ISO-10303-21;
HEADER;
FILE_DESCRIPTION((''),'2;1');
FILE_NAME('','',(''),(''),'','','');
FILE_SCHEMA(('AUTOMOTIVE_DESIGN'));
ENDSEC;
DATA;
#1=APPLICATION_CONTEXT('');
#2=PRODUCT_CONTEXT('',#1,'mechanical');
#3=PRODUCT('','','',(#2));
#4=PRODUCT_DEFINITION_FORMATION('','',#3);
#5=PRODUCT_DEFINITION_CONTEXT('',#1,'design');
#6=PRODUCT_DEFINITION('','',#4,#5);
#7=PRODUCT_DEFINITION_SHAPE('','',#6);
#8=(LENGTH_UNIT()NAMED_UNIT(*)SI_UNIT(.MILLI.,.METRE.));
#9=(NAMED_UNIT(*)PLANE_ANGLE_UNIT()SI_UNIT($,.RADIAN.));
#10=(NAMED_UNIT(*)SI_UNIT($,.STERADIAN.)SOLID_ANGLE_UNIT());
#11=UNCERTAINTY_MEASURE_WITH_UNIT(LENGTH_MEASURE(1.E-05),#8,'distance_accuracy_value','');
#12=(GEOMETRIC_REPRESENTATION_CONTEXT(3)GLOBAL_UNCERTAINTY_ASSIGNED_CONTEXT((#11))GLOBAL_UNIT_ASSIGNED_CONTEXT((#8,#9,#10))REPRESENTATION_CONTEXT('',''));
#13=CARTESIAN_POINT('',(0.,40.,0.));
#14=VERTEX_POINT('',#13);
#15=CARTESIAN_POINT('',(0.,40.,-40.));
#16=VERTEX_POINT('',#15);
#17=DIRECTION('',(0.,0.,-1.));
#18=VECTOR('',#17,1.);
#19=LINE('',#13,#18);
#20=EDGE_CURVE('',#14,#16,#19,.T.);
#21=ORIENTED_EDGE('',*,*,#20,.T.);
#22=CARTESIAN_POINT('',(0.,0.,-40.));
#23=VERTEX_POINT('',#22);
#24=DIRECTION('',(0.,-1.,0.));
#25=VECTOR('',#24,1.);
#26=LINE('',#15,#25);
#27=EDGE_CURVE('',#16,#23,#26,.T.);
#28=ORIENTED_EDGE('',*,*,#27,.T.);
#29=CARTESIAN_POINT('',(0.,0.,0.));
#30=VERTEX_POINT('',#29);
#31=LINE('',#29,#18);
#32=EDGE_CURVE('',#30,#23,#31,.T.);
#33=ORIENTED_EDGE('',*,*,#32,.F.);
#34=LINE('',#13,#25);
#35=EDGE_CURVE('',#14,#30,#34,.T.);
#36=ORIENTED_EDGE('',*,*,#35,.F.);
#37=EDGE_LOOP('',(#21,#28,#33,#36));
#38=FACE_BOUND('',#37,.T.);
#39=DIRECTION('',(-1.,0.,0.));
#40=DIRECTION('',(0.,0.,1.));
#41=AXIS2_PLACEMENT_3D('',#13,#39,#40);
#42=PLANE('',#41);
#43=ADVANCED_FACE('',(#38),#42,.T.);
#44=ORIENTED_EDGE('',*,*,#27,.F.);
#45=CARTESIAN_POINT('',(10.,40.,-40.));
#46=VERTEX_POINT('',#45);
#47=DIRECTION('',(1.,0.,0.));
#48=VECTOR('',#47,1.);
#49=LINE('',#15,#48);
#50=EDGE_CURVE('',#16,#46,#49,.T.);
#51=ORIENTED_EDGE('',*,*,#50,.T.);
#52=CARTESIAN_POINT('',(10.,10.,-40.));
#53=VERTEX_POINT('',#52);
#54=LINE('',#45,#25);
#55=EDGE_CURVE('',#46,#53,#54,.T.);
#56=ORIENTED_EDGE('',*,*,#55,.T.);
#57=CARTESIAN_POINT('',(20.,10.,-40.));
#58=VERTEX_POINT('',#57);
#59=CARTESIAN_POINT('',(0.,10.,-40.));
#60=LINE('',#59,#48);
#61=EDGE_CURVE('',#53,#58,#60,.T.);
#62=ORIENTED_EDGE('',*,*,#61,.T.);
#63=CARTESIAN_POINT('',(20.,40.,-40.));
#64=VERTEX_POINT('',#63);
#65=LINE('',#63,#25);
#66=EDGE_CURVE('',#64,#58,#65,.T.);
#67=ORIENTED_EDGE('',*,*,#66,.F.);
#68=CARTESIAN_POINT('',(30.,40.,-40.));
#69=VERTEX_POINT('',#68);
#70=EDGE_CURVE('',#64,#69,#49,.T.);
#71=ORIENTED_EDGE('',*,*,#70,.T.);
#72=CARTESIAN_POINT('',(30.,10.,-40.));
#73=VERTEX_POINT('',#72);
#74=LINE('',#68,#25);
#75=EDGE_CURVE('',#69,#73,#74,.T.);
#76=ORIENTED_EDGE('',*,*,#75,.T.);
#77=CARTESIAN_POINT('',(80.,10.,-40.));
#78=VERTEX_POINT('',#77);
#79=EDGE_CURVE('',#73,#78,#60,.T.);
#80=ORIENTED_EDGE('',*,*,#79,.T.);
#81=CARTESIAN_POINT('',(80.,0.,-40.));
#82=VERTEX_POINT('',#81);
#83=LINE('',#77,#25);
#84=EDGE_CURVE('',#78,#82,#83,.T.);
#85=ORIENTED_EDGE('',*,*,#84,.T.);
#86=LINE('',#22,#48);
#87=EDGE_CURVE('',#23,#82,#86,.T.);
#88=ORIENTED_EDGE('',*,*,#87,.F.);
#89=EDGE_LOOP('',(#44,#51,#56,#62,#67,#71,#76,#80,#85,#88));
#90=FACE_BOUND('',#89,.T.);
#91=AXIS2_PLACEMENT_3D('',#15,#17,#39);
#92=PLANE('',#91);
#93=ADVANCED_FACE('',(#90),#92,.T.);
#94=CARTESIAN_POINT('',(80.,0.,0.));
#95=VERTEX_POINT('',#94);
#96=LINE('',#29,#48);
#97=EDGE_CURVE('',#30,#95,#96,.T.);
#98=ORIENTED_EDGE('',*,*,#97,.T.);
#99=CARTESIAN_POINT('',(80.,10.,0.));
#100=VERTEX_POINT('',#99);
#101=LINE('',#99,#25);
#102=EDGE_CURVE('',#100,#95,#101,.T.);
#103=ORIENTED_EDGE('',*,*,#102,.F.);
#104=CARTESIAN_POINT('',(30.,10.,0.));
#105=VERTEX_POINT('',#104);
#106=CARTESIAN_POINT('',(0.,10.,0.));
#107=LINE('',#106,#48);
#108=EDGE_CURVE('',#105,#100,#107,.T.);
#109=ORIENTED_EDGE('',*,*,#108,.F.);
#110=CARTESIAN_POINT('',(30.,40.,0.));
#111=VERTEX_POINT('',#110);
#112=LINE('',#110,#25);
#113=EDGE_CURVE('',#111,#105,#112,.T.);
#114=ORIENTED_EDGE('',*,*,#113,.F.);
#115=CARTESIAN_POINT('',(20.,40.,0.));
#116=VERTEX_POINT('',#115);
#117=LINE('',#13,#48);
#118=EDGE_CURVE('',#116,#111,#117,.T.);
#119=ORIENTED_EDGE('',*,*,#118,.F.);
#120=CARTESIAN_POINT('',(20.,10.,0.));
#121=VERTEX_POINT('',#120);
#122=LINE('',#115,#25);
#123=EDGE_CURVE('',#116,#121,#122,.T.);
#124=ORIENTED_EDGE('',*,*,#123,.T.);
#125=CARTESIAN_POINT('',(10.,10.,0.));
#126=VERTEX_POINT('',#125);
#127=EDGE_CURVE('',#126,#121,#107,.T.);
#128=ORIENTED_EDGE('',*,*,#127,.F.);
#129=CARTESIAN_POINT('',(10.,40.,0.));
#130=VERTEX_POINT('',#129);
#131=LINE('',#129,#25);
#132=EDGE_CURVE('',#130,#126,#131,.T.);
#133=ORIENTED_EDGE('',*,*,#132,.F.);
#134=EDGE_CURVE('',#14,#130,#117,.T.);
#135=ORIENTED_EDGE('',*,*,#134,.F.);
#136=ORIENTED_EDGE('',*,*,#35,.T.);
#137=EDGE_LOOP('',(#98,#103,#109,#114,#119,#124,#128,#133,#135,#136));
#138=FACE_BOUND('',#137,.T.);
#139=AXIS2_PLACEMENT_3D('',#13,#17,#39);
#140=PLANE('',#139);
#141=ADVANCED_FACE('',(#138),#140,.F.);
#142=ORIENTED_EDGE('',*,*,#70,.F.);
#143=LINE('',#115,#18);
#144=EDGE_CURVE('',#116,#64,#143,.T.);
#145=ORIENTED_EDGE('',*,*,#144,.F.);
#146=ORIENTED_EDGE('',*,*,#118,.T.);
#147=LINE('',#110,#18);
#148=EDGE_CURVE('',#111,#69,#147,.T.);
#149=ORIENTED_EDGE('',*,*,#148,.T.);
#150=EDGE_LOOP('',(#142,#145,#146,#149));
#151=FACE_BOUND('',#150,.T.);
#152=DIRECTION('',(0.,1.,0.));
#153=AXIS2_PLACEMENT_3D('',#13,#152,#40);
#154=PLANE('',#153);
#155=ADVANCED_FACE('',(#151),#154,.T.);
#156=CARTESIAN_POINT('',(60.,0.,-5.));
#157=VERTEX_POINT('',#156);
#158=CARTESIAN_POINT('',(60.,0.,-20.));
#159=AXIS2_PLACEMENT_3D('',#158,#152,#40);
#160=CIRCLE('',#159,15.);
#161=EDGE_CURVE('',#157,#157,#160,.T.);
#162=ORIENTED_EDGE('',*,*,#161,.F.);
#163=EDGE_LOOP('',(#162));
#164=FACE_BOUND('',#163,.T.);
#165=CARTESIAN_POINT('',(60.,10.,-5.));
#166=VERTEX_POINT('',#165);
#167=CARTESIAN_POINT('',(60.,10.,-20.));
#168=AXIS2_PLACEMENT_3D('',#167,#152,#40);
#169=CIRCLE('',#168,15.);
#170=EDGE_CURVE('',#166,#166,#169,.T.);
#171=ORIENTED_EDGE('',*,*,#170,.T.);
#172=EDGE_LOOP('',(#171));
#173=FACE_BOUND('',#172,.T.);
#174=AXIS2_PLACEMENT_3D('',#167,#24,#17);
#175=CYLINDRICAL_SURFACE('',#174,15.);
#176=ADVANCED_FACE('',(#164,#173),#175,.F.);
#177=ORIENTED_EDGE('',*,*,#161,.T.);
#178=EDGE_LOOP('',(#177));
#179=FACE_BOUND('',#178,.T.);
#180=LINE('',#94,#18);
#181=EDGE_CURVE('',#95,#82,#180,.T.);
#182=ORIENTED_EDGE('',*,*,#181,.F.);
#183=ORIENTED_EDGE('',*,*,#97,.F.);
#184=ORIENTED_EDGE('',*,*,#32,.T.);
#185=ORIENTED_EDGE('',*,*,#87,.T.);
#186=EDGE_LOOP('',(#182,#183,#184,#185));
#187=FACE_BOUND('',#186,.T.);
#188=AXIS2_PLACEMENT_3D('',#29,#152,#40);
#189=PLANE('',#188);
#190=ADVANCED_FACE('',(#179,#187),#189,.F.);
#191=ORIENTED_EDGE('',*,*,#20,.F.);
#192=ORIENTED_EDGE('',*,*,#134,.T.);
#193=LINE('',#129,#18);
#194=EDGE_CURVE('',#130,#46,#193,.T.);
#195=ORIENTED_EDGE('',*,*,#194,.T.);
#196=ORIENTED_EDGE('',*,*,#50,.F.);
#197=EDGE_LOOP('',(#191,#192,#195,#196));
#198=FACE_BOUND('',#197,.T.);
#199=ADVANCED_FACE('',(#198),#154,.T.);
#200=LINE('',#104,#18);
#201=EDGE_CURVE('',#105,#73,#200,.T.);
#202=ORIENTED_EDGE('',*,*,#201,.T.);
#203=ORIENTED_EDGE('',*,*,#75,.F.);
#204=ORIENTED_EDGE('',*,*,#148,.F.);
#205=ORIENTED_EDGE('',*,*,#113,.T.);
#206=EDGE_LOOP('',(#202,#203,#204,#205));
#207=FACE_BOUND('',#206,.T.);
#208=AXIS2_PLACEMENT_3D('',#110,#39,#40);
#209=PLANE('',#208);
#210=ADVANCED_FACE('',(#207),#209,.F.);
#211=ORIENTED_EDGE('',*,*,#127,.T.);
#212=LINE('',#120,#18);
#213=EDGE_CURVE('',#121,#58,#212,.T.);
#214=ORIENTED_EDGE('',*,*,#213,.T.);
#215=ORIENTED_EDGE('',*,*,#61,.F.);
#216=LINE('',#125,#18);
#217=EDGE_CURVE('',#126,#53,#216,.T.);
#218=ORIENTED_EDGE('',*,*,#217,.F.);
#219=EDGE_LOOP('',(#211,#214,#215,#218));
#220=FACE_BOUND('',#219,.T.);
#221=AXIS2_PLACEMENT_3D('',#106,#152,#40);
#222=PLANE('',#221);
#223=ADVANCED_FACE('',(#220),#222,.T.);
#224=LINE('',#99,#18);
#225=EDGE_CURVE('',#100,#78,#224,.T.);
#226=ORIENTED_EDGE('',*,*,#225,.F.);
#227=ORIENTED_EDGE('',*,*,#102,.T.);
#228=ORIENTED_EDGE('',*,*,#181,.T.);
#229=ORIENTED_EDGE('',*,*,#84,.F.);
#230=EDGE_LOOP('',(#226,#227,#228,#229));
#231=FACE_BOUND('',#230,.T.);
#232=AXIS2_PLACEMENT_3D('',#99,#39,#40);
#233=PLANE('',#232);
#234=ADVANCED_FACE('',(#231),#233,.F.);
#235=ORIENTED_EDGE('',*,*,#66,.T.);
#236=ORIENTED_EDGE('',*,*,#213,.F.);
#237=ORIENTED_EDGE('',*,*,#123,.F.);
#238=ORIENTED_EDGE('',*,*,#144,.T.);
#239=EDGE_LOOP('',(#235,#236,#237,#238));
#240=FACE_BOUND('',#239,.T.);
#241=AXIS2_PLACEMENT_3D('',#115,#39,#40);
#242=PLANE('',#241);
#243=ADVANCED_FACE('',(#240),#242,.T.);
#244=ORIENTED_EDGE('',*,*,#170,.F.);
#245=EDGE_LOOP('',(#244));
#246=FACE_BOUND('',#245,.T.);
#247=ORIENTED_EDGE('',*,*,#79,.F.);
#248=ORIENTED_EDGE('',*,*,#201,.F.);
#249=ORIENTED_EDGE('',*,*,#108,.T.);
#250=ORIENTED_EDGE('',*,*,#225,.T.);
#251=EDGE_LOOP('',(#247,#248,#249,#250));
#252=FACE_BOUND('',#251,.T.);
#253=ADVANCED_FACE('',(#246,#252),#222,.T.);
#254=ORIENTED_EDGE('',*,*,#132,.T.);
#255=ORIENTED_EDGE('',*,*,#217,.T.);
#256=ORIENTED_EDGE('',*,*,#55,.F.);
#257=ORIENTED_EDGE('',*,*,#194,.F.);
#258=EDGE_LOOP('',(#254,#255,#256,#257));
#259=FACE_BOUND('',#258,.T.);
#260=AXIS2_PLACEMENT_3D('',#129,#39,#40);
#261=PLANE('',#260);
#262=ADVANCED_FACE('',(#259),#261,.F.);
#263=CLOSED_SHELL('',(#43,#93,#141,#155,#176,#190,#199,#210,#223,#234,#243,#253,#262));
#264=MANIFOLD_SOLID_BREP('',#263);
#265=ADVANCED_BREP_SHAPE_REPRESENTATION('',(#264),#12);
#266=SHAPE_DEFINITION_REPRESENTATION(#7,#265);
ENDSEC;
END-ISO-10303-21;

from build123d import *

# Parameters (mm, degrees)
SKETCH1_W             = 10
SKETCH1_H             = 40
BOSS_EXTRUDE1_DEPTH   = 40
BOSS_EXTRUDE1_2_DEPTH = 40
SKETCH1_3_W           = 10
SKETCH1_3_H           = 40
SKETCH1_3_W_2         = 50
SKETCH1_3_R           = 15
BOSS_EXTRUDE2_DEPTH   = 10


with BuildPart() as part:
    # Sketch1 → Boss-Extrude1 (new body)
    with BuildSketch(Plane(origin=(0, 0, 0), x_dir=(1, 0, 0), z_dir=(0, 1, 0))):
        with Locations((5, 20)):
            Rectangle(SKETCH1_W, SKETCH1_H)
    extrude(amount=BOSS_EXTRUDE1_DEPTH)



with BuildPart() as body_2:
    # Sketch1 → Boss-Extrude1 2 (new body)
    with BuildSketch(Plane(origin=(0, 0, 0), x_dir=(1, 0, 0), z_dir=(0, 1, 0))):
        with Locations((25, 20)):
            Rectangle(SKETCH1_W, SKETCH1_H)
    extrude(amount=BOSS_EXTRUDE1_2_DEPTH)


with BuildPart() as part_1:
    add(part.part)

    add(body_2.part)  # Boss-Extrude2 merges body 2
    # Sketch1<3> → Boss-Extrude2 (add)
    # profile 1 of 2: a face of its own
    with BuildSketch(Plane(origin=(0, 0, 0), x_dir=(1, 0, 0), z_dir=(0, 1, 0))):
        with Locations((15, 20)):
            Rectangle(SKETCH1_3_W, SKETCH1_3_H)
    # profile 2 of 2: a face of its own
    with BuildSketch(Plane(origin=(0, 0, 0), x_dir=(1, 0, 0), z_dir=(0, 1, 0))):
        with Locations((55, 20)):
            Rectangle(SKETCH1_3_W_2, SKETCH1_3_H)
        with Locations((60, 20)):
            Circle(SKETCH1_3_R, mode=Mode.SUBTRACT)
    extrude(amount=BOSS_EXTRUDE2_DEPTH)


solid = part_1.part
